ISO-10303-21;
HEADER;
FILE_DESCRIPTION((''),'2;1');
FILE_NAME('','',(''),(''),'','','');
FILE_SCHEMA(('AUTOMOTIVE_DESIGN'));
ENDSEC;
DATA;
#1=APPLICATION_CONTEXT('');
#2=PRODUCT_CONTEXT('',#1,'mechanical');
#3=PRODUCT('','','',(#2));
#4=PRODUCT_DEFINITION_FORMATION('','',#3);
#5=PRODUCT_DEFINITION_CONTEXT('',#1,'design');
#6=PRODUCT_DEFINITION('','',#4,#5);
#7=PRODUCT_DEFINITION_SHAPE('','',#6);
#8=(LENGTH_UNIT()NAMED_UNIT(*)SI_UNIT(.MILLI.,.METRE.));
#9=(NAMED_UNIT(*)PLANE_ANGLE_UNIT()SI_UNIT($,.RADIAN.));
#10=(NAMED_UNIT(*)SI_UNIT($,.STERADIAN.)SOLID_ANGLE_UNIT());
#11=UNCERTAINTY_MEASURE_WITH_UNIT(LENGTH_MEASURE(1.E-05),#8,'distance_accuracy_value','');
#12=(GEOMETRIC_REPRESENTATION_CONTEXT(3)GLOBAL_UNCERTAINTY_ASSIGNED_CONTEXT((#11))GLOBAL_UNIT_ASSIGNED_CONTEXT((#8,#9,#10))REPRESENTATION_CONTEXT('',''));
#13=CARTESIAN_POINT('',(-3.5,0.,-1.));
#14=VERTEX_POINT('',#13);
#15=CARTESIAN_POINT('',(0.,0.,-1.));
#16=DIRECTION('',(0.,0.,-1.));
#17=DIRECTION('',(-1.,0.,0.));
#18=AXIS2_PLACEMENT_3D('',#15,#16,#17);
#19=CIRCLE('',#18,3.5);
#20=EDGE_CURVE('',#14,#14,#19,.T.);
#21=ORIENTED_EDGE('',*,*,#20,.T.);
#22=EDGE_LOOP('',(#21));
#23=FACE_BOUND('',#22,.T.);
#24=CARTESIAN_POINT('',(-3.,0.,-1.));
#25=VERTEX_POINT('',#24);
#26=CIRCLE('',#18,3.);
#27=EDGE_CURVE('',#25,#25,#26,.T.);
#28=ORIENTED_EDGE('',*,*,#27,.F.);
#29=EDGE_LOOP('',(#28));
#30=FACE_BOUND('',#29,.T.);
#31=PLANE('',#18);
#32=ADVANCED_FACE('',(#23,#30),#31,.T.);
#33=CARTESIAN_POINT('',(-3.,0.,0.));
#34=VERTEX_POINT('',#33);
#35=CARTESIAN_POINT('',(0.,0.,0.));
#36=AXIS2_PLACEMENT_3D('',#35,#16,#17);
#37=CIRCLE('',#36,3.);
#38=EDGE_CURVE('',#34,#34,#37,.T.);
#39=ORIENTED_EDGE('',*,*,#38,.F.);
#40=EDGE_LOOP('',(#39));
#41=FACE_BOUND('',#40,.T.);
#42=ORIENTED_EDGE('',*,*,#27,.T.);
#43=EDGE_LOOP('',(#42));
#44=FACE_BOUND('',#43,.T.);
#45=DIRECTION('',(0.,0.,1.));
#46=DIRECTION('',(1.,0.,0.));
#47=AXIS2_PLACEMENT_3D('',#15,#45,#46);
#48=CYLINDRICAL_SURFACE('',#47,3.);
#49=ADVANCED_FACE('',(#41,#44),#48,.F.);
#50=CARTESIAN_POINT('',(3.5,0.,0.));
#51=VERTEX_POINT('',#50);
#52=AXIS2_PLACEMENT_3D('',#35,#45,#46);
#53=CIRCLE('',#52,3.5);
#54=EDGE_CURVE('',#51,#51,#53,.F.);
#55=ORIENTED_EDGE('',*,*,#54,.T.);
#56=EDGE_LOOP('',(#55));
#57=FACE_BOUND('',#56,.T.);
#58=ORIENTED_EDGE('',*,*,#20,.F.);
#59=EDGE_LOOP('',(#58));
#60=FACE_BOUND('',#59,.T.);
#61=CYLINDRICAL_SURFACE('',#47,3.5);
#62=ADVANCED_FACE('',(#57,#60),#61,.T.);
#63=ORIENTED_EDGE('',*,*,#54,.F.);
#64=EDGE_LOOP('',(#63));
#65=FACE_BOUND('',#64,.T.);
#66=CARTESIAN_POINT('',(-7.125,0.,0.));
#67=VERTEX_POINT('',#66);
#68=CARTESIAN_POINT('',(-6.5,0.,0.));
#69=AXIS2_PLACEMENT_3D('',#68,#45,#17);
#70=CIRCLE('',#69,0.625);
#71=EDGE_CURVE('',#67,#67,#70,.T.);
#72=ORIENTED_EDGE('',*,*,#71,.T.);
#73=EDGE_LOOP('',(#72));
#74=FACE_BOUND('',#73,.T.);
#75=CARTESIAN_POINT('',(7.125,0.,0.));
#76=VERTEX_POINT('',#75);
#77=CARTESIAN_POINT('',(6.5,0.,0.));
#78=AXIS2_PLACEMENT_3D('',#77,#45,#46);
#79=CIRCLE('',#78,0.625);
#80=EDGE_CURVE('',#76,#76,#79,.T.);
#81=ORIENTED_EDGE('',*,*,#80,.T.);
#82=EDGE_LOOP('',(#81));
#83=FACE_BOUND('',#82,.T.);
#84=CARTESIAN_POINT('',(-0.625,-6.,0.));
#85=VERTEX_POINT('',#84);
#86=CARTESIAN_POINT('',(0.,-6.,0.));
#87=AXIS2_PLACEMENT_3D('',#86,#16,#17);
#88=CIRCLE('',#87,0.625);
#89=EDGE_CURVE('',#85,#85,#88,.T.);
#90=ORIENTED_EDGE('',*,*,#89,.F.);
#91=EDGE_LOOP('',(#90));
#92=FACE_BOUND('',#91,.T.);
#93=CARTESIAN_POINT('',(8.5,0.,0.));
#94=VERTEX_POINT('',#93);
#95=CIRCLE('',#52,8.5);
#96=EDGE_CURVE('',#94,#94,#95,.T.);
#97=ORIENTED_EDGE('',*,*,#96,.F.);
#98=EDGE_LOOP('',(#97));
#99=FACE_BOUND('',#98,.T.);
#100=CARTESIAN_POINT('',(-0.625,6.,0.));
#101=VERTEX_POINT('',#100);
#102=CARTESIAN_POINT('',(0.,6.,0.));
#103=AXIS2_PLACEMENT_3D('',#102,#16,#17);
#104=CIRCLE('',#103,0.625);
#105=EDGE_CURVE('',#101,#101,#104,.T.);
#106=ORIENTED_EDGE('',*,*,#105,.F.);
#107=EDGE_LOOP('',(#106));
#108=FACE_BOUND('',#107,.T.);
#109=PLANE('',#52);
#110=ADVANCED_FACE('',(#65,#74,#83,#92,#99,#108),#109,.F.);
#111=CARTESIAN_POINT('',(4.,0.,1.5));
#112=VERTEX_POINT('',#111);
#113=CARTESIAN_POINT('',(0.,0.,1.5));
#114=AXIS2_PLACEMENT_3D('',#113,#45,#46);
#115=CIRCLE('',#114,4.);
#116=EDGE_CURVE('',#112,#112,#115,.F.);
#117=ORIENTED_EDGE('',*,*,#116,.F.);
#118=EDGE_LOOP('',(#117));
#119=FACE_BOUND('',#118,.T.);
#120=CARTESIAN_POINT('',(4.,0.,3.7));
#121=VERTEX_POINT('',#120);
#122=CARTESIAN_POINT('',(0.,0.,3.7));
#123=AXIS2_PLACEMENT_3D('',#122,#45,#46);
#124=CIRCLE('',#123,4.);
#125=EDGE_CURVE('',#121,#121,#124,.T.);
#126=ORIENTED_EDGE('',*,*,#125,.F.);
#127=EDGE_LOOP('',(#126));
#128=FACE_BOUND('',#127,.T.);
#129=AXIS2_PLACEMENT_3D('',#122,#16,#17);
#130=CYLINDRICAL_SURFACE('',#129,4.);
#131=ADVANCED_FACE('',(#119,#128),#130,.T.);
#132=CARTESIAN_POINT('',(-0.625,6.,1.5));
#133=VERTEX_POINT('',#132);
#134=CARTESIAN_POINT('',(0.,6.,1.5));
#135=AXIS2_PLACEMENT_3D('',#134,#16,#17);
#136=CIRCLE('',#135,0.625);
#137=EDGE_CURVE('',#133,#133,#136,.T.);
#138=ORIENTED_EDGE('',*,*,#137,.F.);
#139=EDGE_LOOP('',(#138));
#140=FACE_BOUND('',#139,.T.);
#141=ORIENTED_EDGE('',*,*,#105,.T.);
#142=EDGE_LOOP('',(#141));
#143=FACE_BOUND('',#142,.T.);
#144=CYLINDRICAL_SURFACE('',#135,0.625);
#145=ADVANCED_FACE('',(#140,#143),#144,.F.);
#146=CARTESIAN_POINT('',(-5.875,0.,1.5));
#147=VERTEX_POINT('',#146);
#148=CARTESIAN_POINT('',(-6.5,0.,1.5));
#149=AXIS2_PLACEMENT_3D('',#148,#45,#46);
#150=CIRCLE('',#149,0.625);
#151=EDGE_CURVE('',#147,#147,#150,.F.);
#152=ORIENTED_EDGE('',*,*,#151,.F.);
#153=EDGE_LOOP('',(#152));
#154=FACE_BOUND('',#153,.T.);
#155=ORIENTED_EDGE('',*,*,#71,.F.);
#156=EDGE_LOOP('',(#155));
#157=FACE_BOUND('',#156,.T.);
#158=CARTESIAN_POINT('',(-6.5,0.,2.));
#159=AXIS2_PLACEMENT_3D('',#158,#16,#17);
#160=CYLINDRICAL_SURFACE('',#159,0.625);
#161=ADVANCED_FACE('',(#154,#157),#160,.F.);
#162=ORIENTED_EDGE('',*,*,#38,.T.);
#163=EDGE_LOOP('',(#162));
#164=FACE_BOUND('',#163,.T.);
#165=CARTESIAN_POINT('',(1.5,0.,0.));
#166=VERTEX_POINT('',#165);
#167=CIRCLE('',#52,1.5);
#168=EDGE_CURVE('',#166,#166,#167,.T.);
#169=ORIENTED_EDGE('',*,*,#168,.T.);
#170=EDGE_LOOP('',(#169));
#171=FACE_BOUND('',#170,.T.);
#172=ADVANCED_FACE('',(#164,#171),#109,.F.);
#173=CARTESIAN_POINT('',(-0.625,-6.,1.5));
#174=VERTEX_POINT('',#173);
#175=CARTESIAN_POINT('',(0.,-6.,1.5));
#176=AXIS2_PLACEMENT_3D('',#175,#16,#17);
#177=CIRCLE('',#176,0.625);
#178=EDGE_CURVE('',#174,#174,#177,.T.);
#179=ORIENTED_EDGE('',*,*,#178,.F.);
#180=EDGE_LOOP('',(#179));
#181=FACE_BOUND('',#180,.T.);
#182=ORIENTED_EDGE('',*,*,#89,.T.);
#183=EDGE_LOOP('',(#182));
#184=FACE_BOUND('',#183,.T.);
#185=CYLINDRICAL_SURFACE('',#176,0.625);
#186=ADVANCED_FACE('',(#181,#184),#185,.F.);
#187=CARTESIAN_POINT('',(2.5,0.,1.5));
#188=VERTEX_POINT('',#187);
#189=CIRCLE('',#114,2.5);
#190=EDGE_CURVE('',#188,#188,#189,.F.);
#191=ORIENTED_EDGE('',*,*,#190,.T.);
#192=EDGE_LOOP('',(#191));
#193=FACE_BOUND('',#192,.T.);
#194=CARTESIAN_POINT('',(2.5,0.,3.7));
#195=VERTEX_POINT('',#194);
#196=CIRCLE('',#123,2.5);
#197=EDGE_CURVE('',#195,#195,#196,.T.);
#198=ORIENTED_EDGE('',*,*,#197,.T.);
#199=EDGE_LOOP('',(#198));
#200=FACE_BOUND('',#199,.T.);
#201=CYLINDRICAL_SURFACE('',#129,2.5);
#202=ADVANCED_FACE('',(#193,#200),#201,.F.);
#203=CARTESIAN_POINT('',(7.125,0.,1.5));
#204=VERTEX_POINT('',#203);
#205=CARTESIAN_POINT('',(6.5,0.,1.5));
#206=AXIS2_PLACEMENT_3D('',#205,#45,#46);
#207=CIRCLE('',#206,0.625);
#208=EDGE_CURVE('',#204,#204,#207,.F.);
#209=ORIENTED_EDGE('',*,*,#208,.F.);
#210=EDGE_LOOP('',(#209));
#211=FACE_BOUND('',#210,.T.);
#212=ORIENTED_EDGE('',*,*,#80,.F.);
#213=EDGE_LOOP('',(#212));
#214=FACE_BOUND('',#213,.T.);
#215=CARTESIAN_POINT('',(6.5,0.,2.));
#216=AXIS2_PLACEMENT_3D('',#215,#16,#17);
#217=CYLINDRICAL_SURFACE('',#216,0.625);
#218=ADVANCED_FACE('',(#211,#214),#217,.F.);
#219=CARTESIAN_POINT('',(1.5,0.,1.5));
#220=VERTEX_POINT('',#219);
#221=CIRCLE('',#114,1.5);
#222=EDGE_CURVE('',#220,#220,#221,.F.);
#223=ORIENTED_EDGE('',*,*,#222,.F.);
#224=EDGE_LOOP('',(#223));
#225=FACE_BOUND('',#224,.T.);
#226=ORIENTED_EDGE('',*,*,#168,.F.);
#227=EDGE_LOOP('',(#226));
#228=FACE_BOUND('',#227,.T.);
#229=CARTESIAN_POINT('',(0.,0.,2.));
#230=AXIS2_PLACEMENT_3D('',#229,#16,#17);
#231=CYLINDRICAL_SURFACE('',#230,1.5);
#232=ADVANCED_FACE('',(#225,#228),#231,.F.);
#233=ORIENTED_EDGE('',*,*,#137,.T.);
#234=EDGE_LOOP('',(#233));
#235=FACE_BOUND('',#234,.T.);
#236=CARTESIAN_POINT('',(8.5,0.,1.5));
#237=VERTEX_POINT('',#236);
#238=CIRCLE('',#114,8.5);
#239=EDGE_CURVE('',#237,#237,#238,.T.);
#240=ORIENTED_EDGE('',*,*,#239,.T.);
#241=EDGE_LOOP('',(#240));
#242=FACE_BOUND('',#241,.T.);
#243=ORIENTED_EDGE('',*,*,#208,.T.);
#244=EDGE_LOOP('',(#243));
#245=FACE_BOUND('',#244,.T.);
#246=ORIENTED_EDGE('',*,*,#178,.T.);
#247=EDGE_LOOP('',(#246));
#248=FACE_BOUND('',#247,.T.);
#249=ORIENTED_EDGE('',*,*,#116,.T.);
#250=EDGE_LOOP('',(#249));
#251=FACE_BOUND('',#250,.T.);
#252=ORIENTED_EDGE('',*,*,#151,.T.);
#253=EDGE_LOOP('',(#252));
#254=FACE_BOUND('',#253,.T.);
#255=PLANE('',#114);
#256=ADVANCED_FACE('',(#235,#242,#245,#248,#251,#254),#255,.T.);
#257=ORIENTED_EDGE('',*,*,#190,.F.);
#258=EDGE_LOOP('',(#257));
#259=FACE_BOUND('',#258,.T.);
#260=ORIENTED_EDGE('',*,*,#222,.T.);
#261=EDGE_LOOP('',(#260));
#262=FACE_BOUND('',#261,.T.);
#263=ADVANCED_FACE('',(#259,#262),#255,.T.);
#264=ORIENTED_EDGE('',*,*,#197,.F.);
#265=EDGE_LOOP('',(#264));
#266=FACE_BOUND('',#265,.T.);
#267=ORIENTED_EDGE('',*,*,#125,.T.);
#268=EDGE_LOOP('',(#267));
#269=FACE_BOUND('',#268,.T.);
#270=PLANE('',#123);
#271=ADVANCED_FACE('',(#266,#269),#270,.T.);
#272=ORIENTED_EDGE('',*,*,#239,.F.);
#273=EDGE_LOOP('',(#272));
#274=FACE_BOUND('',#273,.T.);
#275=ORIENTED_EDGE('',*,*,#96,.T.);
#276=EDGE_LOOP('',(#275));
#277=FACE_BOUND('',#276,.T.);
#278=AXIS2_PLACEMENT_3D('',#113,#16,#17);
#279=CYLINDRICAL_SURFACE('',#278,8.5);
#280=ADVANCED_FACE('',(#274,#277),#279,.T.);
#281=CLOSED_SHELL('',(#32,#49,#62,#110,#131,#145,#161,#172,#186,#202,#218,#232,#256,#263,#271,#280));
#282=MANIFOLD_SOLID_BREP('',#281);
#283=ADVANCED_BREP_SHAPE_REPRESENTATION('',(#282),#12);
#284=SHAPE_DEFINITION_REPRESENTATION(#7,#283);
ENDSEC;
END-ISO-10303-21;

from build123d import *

# Parameters (mm, degrees)
SKETCH1_R           = 8.5
BOSS_EXTRUDE1_DEPTH = 1.5
SKETCH2_R           = 4
SKETCH2_R_2         = 2.5
BOSS_EXTRUDE2_DEPTH = 3.7
SKETCH3_R           = 1.5
CUT_EXTRUDE1_DEPTH  = 2
SKETCH4_R           = 0.625
CUT_EXTRUDE2_DEPTH  = 2
CIRPATTERN1_COUNT   = 2
SKETCH5_R           = 0.625
CUT_EXTRUDE3_DEPTH  = 1.5
SKETCH6_R           = 3.5
SKETCH6_R_2         = 3
BOSS_EXTRUDE3_DEPTH = 1


with BuildPart() as part:
    # Sketch1 → Boss-Extrude1 (new body)
    with BuildSketch(Plane.XY):
        Circle(SKETCH1_R)
    extrude(amount=BOSS_EXTRUDE1_DEPTH)

    # Sketch2 → Boss-Extrude2 (add)
    with BuildSketch(Plane.XY):
        Circle(SKETCH2_R)
        Circle(SKETCH2_R_2, mode=Mode.SUBTRACT)
    extrude(amount=BOSS_EXTRUDE2_DEPTH)

    # Sketch3 → Cut-Extrude1 (cut)
    with BuildSketch(Plane.XY):
        Circle(SKETCH3_R)
    extrude(amount=CUT_EXTRUDE1_DEPTH, mode=Mode.SUBTRACT)

    # Sketch4 → Cut-Extrude2 (cut)
    with BuildSketch(Plane.XY):
        with Locations((6.5, 0)):
            Circle(SKETCH4_R)
    cut_extrude2 = extrude(amount=CUT_EXTRUDE2_DEPTH, mode=Mode.SUBTRACT)

    # CirPattern1: Cut-Extrude2 ×2 about axis
    cirpattern1_axis = Axis((0, 0, 0), (0, 0, 1))
    for i in range(1, CIRPATTERN1_COUNT):
        add(cut_extrude2.rotate(cirpattern1_axis, i * 360 / CIRPATTERN1_COUNT), mode=Mode.SUBTRACT)

    # Sketch5 → Cut-Extrude3 (cut)
    with BuildSketch(Plane(origin=(0, 0, 0), x_dir=(-1, 0, 0), z_dir=(0, 0, -1))):
        with Locations((0, 6)):
            Circle(SKETCH5_R)
        with Locations((0, -6)):
            Circle(SKETCH5_R)
    extrude(amount=-CUT_EXTRUDE3_DEPTH, mode=Mode.SUBTRACT)

    # Sketch6 → Boss-Extrude3 (add)
    with BuildSketch(Plane(origin=(0, 0, 0), x_dir=(-1, 0, 0), z_dir=(0, 0, -1))):
        with Locations(Location((0, 0, 0), (0, 0, 180))):
            Circle(SKETCH6_R)
        Circle(SKETCH6_R_2, mode=Mode.SUBTRACT)
    extrude(amount=BOSS_EXTRUDE3_DEPTH)


solid = part.part
